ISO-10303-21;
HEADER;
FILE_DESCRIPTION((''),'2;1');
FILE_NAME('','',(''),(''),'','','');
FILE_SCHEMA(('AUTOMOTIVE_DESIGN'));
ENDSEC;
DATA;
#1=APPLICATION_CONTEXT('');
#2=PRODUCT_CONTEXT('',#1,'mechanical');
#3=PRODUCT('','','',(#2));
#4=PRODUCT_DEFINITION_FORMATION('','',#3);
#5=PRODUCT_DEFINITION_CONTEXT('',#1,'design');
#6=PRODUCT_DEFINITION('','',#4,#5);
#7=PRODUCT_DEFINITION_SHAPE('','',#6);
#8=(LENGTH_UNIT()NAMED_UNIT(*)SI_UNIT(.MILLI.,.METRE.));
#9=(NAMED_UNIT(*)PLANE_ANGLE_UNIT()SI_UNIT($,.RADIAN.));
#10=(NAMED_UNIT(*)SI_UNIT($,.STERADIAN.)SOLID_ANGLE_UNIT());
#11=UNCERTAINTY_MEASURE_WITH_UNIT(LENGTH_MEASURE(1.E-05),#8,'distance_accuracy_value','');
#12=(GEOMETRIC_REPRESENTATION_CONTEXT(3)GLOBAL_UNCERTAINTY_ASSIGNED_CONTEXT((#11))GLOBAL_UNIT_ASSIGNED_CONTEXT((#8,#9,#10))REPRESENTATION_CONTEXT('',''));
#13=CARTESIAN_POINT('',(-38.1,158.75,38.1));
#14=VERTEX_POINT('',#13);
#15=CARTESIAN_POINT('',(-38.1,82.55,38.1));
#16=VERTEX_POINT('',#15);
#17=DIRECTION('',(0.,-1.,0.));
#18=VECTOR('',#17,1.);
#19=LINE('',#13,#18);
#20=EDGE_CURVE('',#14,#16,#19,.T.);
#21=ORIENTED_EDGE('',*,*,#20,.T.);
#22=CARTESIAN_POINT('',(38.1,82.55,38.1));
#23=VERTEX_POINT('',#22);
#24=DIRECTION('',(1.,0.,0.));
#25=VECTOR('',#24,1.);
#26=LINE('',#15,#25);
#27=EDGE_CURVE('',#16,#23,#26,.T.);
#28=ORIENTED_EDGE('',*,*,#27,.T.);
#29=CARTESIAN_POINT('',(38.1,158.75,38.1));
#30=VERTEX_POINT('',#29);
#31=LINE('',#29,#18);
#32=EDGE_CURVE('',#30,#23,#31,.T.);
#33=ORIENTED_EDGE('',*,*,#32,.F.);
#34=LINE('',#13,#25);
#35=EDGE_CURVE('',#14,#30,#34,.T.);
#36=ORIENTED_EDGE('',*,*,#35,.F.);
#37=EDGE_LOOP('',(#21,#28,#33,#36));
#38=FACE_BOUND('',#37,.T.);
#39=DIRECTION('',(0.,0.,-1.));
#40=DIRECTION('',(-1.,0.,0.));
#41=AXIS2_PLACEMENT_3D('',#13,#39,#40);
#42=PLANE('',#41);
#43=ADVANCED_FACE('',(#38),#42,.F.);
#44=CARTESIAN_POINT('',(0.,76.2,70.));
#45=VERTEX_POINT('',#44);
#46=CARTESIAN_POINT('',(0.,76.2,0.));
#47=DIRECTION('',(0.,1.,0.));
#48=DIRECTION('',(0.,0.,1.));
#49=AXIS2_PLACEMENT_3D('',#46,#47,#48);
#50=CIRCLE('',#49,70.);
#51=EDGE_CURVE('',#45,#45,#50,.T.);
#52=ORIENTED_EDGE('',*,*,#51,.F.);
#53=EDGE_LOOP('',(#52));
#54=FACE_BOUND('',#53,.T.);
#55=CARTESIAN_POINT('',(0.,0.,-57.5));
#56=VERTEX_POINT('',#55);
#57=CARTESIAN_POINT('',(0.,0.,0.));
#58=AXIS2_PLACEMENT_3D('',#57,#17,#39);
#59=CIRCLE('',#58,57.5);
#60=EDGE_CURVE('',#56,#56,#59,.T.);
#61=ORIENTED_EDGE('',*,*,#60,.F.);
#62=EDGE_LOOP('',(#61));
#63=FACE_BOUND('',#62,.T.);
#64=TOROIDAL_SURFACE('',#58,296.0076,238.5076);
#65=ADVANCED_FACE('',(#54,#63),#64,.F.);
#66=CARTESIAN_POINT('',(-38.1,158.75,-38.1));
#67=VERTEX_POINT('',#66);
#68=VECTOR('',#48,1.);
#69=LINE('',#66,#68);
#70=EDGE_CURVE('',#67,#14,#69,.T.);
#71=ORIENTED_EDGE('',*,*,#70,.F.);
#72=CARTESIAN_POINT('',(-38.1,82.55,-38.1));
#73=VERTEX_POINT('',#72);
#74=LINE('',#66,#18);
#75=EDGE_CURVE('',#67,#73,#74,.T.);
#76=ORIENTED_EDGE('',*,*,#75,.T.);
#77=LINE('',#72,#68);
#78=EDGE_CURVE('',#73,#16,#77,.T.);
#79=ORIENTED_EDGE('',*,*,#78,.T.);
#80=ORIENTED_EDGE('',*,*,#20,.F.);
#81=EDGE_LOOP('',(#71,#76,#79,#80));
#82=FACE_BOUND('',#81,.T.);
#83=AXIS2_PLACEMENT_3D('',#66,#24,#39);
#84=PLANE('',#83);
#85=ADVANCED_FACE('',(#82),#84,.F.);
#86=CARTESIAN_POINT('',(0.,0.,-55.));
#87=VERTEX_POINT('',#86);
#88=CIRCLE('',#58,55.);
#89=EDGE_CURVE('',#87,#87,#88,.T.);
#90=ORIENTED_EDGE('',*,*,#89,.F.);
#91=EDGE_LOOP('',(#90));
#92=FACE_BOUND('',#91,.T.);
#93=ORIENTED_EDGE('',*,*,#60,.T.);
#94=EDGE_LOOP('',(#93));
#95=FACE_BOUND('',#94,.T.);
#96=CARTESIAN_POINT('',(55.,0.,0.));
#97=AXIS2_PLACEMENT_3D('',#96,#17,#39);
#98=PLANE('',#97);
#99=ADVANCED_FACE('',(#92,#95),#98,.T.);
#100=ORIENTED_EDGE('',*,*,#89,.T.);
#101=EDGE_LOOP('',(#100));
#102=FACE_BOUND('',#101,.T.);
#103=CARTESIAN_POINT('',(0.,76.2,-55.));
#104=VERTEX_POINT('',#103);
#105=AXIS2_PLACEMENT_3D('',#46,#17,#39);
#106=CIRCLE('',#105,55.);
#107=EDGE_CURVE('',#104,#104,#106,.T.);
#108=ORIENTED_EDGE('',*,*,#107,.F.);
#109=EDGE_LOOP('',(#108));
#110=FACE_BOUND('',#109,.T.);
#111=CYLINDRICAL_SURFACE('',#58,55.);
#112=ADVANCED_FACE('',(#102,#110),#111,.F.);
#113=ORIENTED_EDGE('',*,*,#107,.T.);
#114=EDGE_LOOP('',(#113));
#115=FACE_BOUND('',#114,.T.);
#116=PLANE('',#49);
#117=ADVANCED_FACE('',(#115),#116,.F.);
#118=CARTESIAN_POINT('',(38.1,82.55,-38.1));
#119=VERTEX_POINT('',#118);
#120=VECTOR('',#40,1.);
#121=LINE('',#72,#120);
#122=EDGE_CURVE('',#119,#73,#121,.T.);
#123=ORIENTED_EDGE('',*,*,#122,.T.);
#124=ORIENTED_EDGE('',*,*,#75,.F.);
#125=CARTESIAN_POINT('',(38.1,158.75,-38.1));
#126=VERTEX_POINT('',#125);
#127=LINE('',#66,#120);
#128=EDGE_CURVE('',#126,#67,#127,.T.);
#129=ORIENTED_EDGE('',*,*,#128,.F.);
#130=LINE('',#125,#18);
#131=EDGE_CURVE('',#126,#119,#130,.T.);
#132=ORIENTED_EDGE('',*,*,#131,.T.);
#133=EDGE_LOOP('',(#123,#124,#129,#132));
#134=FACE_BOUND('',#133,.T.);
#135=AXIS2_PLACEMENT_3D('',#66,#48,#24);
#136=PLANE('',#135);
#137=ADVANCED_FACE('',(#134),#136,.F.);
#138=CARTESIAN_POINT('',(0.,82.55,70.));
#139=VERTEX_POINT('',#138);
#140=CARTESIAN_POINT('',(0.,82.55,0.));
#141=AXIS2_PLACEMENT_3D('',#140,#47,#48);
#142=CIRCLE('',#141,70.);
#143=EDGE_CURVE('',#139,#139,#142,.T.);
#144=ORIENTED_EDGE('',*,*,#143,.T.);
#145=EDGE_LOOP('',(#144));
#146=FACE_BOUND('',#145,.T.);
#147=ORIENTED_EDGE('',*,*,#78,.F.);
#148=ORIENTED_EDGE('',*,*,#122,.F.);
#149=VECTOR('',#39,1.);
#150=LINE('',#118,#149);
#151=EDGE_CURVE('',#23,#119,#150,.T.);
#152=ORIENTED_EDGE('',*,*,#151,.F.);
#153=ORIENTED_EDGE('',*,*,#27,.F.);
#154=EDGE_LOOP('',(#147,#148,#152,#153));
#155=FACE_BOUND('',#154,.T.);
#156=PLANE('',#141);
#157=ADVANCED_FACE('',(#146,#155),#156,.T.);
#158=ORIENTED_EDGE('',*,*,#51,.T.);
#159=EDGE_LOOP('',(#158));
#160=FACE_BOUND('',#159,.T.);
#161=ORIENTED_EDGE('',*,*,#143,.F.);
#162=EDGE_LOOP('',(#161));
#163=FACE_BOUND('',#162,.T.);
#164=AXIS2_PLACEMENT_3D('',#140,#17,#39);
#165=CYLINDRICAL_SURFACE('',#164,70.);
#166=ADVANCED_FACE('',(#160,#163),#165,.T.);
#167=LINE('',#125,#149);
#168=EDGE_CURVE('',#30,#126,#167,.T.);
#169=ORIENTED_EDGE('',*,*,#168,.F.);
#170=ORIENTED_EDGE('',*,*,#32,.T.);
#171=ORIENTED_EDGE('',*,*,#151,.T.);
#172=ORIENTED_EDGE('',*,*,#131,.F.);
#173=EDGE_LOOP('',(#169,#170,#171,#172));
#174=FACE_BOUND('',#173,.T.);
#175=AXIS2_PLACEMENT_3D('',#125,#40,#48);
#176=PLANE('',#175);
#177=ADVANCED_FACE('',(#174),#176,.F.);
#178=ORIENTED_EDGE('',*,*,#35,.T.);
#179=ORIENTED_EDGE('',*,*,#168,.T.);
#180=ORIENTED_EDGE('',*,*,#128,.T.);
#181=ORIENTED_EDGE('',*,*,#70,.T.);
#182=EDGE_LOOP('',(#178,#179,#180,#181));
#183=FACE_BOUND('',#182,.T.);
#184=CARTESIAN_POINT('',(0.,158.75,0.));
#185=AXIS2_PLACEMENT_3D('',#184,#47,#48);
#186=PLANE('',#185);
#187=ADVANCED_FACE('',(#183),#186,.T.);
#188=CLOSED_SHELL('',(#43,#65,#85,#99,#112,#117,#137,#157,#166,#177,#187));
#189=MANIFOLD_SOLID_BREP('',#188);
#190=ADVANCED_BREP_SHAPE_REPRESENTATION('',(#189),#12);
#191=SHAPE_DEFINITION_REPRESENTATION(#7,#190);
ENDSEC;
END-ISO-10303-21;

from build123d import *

# Parameters (mm, degrees)
BOSS_EXTRUDE1_START = 6.35
SKETCH2_R           = 70
SKETCH2_R_2         = 55
BOSS_EXTRUDE1_DEPTH = 6.35
SKETCH5_W           = 76.2
SKETCH5_H           = 76.2
BOSS_EXTRUDE3_DEPTH = 76.2


with BuildPart() as part:
    # Sketch1 → Revolve1 (revolve)
    with BuildSketch(Plane.XY, mode=Mode.PRIVATE) as revolve1_sk:
        with BuildLine():
            Line((55, 0), (55, 76.2))
            Line((55, 76.2), (70, 76.2))
            ThreePointArc((70, 76.2), (60.645745066, 38.609228172), (57.5, 0))
            Line((57.5, 0), (55, 0))
        make_face()
    revolve(revolve1_sk.sketch.rotate(Axis((0, 0, 0), (0, 1, 0)), 90), axis=Axis((0, 0, 0), (0, 1, 0)))

    # Sketch2 → Boss-Extrude1 (add)
    # profile 1 of 2: a face of its own
    with BuildSketch(Plane(origin=(0, 76.2, 0), x_dir=(1, 0, 0), z_dir=(0, 1, 0)).offset(BOSS_EXTRUDE1_START)):
        with Locations(Location((0, 0, 0), (0, 0, 270))):
            Circle(SKETCH2_R)
        with Locations(Location((0, 0, 0), (0, 0, 90))):
            Circle(SKETCH2_R_2, mode=Mode.SUBTRACT)
    # profile 2 of 2: a face of its own
    with BuildSketch(Plane(origin=(0, 76.2, 0), x_dir=(1, 0, 0), z_dir=(0, 1, 0)).offset(BOSS_EXTRUDE1_START)):
        with Locations(Location((0, 0, 0), (0, 0, 90))):
            Circle(SKETCH2_R_2)
    extrude(amount=-BOSS_EXTRUDE1_DEPTH)

    # Sketch5 → Boss-Extrude3 (add)
    with BuildSketch(Plane(origin=(0, 82.55, 0), x_dir=(1, 0, 0), z_dir=(0, 1, 0))):
        Rectangle(SKETCH5_W, SKETCH5_H)
    extrude(amount=BOSS_EXTRUDE3_DEPTH)


solid = part.part
